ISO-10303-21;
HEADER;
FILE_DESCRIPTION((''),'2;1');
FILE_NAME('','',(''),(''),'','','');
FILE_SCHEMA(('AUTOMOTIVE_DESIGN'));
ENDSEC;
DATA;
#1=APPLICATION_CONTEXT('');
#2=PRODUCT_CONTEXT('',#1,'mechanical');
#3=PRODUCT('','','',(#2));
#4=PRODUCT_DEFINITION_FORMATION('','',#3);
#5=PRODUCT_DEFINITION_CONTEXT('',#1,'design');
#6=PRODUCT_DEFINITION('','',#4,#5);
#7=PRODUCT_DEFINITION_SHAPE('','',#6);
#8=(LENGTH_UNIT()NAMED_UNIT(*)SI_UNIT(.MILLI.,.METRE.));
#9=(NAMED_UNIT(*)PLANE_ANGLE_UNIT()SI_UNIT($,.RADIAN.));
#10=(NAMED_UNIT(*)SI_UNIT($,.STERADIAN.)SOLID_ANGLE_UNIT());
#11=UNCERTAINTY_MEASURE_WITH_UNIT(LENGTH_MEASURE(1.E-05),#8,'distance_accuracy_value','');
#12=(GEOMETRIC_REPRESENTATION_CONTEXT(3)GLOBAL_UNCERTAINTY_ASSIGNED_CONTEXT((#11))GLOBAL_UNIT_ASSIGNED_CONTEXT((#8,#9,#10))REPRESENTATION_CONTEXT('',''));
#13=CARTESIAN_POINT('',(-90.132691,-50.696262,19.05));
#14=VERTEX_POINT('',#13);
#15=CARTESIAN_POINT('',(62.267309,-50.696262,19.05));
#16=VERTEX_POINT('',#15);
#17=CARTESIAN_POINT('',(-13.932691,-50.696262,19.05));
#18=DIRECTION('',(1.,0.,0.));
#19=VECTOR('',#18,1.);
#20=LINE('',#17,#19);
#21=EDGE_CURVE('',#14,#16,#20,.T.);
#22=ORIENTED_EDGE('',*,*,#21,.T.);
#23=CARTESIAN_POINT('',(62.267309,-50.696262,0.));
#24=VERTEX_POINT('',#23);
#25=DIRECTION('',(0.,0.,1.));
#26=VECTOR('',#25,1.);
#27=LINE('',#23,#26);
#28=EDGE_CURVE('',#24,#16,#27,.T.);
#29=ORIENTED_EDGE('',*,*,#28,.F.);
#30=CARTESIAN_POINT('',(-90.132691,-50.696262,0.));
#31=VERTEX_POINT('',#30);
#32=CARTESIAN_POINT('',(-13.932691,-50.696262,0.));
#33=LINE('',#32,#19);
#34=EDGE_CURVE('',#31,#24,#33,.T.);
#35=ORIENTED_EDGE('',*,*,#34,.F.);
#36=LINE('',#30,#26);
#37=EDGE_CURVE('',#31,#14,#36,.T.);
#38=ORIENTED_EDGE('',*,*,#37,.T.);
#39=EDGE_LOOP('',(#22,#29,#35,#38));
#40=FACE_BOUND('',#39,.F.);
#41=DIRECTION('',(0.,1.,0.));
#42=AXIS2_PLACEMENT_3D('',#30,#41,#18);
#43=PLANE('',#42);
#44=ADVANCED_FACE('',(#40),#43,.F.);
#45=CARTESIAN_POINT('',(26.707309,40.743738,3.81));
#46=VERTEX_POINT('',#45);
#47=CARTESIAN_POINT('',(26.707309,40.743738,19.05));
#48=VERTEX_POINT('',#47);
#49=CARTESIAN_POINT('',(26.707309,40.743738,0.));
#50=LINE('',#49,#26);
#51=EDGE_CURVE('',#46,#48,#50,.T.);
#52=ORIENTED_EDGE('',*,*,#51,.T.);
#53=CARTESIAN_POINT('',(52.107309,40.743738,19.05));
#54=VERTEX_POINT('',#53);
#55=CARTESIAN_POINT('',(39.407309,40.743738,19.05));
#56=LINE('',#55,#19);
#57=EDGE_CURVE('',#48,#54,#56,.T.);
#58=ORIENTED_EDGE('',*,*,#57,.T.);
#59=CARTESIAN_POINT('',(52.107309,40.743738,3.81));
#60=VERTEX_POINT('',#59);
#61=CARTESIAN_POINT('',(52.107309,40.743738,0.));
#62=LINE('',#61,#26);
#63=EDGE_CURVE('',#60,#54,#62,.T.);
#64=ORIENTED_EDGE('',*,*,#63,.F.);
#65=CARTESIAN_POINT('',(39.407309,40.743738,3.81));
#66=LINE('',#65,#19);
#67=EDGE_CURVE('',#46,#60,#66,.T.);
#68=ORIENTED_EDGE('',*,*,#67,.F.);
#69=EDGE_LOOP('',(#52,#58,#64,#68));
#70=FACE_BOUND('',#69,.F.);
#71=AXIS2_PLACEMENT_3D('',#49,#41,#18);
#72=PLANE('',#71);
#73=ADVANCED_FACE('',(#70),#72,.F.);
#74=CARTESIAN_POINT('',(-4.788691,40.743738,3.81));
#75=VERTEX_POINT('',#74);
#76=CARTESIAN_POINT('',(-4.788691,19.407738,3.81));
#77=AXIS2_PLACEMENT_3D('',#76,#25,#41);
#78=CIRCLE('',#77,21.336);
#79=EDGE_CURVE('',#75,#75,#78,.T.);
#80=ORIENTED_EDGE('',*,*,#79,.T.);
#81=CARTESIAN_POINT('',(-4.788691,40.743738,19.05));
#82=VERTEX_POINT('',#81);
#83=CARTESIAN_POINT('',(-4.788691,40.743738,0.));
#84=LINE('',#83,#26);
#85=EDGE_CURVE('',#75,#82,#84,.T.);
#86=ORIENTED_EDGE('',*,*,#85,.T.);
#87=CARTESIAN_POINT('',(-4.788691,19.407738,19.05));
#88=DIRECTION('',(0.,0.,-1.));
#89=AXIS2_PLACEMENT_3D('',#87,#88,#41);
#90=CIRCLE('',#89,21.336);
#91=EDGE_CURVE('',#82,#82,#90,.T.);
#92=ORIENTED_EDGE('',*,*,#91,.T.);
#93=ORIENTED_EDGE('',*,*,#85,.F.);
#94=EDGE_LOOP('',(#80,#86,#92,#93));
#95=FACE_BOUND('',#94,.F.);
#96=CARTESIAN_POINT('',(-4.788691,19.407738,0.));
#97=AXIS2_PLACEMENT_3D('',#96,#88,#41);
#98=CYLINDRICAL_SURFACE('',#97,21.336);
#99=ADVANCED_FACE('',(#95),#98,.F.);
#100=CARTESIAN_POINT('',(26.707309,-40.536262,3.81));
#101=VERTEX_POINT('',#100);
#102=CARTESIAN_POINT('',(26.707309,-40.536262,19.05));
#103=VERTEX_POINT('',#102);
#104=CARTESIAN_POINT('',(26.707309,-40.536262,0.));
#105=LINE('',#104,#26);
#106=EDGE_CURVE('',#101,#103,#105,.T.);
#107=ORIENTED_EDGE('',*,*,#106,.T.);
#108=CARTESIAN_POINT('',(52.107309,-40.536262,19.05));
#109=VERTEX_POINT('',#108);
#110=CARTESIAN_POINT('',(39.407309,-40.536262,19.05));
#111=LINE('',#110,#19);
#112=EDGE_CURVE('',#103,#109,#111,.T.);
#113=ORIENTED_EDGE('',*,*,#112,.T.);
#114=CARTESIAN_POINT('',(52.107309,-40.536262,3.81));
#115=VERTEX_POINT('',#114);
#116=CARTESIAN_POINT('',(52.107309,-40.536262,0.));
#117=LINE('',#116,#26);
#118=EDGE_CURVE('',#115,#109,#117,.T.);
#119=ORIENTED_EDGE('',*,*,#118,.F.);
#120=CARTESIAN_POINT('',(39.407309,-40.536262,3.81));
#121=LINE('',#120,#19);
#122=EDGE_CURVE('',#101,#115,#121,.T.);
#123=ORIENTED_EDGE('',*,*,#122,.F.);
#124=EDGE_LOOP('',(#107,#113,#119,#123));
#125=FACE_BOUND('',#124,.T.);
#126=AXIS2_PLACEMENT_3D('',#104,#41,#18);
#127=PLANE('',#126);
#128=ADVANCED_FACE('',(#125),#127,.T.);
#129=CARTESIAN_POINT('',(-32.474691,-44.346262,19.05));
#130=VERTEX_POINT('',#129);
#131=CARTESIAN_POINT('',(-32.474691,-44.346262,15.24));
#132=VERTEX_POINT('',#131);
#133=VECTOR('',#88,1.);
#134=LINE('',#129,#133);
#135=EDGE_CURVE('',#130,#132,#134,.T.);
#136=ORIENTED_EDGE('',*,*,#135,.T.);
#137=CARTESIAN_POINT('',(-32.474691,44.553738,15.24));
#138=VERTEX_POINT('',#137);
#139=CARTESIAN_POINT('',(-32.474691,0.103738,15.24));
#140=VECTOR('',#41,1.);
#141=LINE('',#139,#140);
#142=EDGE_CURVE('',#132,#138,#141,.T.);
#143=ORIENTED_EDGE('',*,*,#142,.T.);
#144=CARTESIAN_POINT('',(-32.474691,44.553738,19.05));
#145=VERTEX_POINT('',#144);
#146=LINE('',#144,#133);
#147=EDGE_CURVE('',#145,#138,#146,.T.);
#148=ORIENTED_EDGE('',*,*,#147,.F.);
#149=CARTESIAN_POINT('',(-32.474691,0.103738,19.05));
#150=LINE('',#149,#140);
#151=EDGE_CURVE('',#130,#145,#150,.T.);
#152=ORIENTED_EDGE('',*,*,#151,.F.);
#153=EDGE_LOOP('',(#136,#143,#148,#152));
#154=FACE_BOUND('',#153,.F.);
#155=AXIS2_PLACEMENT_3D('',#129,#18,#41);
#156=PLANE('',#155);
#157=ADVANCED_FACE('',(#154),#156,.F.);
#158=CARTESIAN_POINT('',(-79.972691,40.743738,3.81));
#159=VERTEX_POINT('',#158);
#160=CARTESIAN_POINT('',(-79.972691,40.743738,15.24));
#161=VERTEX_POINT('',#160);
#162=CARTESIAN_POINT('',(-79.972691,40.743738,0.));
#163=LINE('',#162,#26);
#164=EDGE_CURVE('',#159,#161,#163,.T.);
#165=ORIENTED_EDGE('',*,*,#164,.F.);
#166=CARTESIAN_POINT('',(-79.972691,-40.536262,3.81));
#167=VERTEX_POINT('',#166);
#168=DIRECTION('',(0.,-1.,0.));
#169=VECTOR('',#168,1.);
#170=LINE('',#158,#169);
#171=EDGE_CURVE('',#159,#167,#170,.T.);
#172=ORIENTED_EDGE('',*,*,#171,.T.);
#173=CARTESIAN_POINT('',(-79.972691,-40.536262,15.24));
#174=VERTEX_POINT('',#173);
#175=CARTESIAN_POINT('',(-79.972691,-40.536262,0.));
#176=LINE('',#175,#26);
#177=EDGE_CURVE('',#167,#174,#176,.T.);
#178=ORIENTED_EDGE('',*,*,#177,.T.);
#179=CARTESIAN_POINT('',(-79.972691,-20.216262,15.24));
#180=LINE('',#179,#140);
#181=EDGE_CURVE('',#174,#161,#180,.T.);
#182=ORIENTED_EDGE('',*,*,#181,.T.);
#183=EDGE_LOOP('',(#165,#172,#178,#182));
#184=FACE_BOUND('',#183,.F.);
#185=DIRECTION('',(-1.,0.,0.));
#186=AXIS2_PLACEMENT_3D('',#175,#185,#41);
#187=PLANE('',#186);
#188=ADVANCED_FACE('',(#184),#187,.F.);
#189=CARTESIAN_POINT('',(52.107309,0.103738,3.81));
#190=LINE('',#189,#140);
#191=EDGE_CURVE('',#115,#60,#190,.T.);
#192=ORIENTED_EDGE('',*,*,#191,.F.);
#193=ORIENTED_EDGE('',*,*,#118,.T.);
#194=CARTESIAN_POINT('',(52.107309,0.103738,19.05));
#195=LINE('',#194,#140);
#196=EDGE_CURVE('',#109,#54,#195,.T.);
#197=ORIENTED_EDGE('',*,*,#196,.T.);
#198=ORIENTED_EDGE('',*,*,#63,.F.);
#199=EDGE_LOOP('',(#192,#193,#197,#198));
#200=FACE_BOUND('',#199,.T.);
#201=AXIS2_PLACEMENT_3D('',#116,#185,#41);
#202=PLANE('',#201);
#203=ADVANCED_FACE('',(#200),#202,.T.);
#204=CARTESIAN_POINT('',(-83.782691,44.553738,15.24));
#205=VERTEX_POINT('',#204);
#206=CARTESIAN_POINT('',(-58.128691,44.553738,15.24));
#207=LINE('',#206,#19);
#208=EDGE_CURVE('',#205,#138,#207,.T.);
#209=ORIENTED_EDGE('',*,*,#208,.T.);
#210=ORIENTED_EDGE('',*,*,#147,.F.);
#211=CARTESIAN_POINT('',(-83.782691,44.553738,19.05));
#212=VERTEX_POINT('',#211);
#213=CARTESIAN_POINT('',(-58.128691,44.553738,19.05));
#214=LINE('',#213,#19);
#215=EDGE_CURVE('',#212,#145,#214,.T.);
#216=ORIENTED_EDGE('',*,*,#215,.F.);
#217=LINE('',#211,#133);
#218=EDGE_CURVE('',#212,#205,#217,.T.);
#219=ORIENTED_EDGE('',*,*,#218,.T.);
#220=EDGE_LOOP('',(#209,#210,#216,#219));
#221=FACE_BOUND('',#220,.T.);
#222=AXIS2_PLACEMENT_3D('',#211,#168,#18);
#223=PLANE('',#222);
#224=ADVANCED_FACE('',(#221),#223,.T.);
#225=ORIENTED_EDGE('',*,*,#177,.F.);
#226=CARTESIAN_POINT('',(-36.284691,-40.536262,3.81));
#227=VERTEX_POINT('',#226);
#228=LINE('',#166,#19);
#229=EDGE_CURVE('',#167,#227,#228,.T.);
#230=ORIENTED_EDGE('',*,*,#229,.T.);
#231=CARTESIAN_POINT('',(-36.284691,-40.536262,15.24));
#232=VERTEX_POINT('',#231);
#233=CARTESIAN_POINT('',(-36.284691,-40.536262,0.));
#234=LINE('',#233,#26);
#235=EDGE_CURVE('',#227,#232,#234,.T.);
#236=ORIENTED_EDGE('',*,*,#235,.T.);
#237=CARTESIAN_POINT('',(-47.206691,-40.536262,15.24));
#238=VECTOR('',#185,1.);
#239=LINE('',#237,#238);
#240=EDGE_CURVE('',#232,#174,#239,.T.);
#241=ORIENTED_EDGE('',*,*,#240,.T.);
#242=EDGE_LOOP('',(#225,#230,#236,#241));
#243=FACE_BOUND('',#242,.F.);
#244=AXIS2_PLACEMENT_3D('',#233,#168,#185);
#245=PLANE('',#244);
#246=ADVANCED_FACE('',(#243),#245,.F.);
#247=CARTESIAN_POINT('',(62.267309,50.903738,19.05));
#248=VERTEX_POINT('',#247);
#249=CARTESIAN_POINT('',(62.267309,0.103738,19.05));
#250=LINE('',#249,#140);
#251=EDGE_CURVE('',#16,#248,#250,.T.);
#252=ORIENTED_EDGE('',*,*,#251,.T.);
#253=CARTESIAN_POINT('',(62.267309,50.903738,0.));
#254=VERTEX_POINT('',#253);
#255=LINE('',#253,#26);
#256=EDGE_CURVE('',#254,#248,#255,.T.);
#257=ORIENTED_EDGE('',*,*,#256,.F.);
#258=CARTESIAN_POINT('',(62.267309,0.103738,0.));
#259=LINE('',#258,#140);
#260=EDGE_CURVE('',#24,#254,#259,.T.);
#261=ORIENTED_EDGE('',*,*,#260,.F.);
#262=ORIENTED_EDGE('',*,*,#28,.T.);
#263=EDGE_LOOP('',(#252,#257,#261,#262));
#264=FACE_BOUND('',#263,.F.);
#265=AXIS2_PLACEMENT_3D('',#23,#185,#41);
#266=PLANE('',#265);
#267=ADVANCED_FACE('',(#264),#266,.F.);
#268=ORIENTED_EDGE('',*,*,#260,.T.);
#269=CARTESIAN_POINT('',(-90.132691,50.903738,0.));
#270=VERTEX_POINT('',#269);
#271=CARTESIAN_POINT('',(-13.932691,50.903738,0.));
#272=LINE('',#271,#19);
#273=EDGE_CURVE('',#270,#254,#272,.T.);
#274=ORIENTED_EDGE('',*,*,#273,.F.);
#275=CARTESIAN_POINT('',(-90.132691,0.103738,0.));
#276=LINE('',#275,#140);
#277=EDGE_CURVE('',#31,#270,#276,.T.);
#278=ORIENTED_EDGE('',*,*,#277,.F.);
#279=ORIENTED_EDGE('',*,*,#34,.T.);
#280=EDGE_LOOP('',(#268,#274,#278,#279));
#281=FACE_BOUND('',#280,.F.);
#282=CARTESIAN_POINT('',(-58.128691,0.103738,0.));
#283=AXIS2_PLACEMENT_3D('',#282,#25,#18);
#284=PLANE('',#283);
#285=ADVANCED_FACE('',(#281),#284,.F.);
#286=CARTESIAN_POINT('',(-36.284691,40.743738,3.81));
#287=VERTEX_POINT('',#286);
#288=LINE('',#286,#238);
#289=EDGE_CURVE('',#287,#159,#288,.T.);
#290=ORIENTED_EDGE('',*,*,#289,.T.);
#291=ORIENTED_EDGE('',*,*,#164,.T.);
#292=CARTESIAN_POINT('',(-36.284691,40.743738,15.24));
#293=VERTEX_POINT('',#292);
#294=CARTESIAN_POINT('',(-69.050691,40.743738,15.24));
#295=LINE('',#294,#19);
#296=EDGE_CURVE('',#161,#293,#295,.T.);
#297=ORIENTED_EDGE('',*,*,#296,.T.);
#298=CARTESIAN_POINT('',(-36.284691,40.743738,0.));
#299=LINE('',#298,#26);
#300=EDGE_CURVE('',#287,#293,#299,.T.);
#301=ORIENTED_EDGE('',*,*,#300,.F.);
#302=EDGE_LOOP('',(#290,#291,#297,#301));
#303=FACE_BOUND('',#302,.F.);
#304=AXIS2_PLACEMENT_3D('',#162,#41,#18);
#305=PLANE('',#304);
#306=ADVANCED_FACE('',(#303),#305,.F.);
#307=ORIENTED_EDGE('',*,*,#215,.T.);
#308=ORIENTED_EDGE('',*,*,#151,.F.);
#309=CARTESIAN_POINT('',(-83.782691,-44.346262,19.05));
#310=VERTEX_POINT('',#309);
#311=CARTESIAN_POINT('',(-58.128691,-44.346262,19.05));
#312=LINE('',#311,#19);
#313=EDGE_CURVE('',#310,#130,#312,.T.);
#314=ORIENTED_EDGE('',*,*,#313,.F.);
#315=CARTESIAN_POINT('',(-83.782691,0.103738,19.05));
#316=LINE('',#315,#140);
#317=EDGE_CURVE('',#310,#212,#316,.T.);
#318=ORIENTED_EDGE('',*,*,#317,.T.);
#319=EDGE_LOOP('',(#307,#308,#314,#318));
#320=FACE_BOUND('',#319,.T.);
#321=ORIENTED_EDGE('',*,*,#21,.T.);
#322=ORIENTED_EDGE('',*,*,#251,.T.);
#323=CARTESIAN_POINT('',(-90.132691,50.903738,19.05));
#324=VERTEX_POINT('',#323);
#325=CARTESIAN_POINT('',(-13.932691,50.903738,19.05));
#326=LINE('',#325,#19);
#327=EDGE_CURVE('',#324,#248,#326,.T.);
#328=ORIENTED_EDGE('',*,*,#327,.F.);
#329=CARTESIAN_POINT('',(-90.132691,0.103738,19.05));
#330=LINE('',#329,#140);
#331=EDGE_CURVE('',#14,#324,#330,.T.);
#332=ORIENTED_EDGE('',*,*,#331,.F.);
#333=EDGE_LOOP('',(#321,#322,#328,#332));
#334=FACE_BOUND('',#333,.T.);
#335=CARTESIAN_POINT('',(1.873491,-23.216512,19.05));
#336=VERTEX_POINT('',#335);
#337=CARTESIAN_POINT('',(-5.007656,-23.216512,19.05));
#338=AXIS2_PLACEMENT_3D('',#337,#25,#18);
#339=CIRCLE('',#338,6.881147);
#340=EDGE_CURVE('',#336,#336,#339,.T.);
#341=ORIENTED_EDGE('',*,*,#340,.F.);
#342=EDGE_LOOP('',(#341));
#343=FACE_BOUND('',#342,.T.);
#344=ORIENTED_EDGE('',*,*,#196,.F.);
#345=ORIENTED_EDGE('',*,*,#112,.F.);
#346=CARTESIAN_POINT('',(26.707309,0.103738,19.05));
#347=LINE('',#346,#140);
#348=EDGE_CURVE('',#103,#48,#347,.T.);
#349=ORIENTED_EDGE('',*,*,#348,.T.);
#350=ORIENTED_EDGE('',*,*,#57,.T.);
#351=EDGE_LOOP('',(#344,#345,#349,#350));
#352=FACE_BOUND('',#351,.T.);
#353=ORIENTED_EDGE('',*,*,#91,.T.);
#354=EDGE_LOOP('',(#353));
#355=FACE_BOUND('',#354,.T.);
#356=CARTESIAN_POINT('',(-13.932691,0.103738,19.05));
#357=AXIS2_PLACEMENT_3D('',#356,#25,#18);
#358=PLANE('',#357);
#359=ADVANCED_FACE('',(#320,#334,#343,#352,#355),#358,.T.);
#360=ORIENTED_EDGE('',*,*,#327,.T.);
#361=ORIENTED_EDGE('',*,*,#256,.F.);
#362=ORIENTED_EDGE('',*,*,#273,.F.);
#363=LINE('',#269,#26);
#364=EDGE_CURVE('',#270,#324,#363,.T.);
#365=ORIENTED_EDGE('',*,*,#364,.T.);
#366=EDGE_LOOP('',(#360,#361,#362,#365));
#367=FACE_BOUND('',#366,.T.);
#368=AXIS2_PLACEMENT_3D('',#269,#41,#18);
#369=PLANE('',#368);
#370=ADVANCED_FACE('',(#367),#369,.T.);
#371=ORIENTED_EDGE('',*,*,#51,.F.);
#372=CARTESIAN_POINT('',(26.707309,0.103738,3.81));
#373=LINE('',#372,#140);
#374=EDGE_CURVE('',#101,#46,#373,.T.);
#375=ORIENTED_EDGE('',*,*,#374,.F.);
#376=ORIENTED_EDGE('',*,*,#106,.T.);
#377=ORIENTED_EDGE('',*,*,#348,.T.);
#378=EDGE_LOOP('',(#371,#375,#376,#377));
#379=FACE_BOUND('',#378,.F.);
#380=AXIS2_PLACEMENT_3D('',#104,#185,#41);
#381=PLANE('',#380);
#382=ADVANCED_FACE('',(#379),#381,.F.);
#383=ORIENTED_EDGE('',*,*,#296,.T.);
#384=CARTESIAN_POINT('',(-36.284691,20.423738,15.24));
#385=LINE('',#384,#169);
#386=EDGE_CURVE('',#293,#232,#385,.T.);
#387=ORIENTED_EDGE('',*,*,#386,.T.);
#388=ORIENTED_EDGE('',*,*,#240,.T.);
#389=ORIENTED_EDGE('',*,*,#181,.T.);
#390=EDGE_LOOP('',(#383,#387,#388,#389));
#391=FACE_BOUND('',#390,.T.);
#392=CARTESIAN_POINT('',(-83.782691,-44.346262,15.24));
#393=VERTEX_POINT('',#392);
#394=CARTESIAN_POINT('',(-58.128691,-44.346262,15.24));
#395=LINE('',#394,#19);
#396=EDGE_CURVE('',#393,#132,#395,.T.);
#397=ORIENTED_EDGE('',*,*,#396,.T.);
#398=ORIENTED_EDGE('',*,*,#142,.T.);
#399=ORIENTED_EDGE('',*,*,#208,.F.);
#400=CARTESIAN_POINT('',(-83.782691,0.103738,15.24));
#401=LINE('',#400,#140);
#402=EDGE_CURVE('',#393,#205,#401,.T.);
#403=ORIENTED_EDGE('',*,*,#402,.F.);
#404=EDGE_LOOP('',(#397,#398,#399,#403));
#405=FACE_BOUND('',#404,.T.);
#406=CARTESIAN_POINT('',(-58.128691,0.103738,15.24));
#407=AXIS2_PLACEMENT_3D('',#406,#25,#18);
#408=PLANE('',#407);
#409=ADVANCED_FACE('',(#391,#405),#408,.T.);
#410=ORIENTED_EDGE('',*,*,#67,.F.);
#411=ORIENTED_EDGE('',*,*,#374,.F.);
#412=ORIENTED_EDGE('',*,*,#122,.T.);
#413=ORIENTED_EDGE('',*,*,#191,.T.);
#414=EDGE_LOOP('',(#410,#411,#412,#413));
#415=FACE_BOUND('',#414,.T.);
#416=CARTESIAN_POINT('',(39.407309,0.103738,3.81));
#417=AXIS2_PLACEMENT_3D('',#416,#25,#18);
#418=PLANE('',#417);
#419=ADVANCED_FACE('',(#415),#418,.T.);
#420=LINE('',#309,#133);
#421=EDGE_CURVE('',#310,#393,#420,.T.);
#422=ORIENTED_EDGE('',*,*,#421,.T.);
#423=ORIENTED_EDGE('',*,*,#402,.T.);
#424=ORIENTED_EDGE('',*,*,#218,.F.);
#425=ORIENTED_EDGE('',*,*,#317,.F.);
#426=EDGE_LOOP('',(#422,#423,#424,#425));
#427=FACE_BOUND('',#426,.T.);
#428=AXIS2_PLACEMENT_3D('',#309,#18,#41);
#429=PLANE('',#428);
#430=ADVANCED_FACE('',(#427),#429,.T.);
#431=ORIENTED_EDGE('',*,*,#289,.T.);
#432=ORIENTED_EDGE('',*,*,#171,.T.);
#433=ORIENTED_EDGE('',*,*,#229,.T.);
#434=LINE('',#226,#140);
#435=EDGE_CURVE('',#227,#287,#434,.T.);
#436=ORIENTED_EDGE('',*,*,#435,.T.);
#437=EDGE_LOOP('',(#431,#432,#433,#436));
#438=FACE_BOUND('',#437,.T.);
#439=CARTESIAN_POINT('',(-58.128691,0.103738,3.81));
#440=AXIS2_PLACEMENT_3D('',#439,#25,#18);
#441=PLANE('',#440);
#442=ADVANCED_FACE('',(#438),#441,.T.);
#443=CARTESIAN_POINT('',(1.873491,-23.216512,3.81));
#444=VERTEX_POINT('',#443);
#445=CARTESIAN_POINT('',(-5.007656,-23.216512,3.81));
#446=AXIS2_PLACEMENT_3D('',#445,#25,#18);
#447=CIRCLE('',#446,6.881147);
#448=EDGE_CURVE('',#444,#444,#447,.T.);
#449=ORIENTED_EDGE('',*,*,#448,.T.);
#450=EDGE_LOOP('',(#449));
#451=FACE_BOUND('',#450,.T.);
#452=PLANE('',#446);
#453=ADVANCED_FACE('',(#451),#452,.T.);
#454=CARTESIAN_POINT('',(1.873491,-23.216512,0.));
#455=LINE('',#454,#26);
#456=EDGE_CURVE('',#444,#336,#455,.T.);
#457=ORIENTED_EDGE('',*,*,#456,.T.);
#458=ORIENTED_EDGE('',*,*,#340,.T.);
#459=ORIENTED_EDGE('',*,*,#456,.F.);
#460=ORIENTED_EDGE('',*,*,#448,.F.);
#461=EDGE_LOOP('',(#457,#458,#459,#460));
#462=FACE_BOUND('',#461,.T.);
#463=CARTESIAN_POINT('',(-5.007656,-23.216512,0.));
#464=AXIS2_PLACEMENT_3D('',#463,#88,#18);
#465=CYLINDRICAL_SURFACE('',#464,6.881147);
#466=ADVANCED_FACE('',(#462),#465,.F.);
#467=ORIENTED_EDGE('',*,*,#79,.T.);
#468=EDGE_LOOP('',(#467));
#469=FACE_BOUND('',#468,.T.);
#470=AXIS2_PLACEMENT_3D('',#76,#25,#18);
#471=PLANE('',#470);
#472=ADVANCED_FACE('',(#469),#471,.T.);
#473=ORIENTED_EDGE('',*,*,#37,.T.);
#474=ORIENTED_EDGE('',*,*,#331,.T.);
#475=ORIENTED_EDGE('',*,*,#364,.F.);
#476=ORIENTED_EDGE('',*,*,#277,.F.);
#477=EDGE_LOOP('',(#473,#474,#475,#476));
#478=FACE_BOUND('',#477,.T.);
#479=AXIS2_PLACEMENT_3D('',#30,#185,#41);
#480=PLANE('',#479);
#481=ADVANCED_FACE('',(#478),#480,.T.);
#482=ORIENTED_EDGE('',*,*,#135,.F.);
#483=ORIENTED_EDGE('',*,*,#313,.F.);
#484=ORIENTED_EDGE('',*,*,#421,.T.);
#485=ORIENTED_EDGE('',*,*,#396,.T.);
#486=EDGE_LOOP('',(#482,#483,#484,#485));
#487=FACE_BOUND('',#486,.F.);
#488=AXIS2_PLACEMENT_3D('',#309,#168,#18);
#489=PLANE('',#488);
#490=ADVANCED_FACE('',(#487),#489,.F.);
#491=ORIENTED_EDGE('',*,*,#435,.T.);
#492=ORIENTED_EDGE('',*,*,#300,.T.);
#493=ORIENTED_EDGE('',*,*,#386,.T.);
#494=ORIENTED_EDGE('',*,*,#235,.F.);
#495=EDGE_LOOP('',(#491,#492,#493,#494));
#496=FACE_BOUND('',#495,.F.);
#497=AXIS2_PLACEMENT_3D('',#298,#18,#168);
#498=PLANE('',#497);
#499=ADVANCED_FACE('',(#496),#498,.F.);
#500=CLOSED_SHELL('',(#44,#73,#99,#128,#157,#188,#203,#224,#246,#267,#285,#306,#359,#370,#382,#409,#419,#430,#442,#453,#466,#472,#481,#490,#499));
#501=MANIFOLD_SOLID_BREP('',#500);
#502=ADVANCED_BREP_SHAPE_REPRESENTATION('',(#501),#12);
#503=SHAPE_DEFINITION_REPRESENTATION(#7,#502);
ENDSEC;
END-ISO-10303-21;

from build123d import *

# Parameters (mm, degrees)
F0_W     = 152.4
F0_H     = 101.6
F0_W_2   = 25.4
F0_H_2   = 81.28
F0_R     = 6.8811471087
F1_DEPTH = 19.05
F2_DEPTH = 3.81
F3_W     = 51.308
F3_H     = 88.9
F3_W_2   = 43.688
F3_H_2   = 81.28
F4_DEPTH = 3.81


with BuildPart() as f1:
    # F0 (on Top) → F1 (new body)
    with BuildSketch(Plane.XY):
        with Locations((-13.9326911301, 0.1037381589)):
            Rectangle(F0_W, F0_H)
        Polygon((-79.9726911301, -4.4682618411), (-79.9726911301, 40.7437381589), (-36.2846911301, 40.7437381589), (-26.1246911301, 40.7437381589), (-4.7886911301, 40.7437381589), (16.5473088699, 40.7437381589), (16.5473088699, 19.4077381589), (16.5473088699, -40.5362618411), (-26.1246911301, -40.5362618411), (-36.2846911301, -40.5362618411), (-79.9726911301, -40.5362618411), align=None, mode=Mode.SUBTRACT)
        with Locations((39.4073088699, 0.1037381589)):
            Rectangle(F0_W_2, F0_H_2, mode=Mode.SUBTRACT)
        with BuildLine():
            ThreePointArc((16.5473088699, 19.4077381589), (-4.7886911301, -1.9282618411), (-26.1246911301, 19.4077381589))
            Line((-26.1246911301, 19.4077381589), (-26.1246911301, -40.5362618411))
            Line((-26.1246911301, -40.5362618411), (16.5473088699, -40.5362618411))
            Line((16.5473088699, -40.5362618411), (16.5473088699, 19.4077381589))
        make_face()
        with Locations((-5.0076562911, -23.2165120542)):
            Circle(F0_R, mode=Mode.SUBTRACT)
        with BuildLine():
            Line((16.5473088699, 40.7437381589), (-4.7886911301, 40.7437381589))
            ThreePointArc((-4.7886911301, 40.7437381589), (10.2981391533, 34.4945684423), (16.5473088699, 19.4077381589))
            Line((16.5473088699, 19.4077381589), (16.5473088699, 40.7437381589))
        make_face()
        with BuildLine():
            Line((-4.7886911301, 40.7437381589), (-26.1246911301, 40.7437381589))
            Line((-26.1246911301, 40.7437381589), (-26.1246911301, 19.4077381589))
            ThreePointArc((-26.1246911301, 19.4077381589), (-19.8755214135, 34.4945684423), (-4.7886911301, 40.7437381589))
        make_face()
        Polygon((-26.1246911301, 40.7437381589), (-36.2846911301, 40.7437381589), (-36.2846911301, -40.5362618411), (-26.1246911301, -40.5362618411), (-26.1246911301, 19.4077381589), align=None)
    extrude(amount=F1_DEPTH)

    # F0 (on Top) → F2 (join)
    with BuildSketch(Plane.XY):
        Polygon((-36.2846911301, 40.7437381589), (-79.9726911301, 40.7437381589), (-79.9726911301, -4.4682618411), (-79.9726911301, -40.5362618411), (-36.2846911301, -40.5362618411), align=None)
        with BuildLine():
            ThreePointArc((16.5473088699, 19.4077381589), (10.2981391533, 34.4945684423), (-4.7886911301, 40.7437381589))
            ThreePointArc((-4.7886911301, 40.7437381589), (-19.8755214135, 34.4945684423), (-26.1246911301, 19.4077381589))
            ThreePointArc((-26.1246911301, 19.4077381589), (-4.7886911301, -1.9282618411), (16.5473088699, 19.4077381589))
        make_face()
        with Locations((-5.0076562911, -23.2165120542)):
            Circle(F0_R)
        with Locations((39.4073088699, 0.1037381589)):
            Rectangle(F0_W_2, F0_H_2)
    extrude(amount=F2_DEPTH)

    # F3 (on face) → F4 (cut)
    with BuildSketch(Plane.XY.offset(19.05)):
        with Locations((-58.1286911301, 0.1037381589)):
            Rectangle(F3_W, F3_H)
        with Locations((-58.1286911301, 0.1037381589)):
            Rectangle(F3_W_2, F3_H_2, mode=Mode.SUBTRACT)
        with Locations((-58.1286911301, 0.1037381589)):
            Rectangle(F3_W_2, F3_H_2)
    extrude(amount=-F4_DEPTH, mode=Mode.SUBTRACT)


solid = f1.part
